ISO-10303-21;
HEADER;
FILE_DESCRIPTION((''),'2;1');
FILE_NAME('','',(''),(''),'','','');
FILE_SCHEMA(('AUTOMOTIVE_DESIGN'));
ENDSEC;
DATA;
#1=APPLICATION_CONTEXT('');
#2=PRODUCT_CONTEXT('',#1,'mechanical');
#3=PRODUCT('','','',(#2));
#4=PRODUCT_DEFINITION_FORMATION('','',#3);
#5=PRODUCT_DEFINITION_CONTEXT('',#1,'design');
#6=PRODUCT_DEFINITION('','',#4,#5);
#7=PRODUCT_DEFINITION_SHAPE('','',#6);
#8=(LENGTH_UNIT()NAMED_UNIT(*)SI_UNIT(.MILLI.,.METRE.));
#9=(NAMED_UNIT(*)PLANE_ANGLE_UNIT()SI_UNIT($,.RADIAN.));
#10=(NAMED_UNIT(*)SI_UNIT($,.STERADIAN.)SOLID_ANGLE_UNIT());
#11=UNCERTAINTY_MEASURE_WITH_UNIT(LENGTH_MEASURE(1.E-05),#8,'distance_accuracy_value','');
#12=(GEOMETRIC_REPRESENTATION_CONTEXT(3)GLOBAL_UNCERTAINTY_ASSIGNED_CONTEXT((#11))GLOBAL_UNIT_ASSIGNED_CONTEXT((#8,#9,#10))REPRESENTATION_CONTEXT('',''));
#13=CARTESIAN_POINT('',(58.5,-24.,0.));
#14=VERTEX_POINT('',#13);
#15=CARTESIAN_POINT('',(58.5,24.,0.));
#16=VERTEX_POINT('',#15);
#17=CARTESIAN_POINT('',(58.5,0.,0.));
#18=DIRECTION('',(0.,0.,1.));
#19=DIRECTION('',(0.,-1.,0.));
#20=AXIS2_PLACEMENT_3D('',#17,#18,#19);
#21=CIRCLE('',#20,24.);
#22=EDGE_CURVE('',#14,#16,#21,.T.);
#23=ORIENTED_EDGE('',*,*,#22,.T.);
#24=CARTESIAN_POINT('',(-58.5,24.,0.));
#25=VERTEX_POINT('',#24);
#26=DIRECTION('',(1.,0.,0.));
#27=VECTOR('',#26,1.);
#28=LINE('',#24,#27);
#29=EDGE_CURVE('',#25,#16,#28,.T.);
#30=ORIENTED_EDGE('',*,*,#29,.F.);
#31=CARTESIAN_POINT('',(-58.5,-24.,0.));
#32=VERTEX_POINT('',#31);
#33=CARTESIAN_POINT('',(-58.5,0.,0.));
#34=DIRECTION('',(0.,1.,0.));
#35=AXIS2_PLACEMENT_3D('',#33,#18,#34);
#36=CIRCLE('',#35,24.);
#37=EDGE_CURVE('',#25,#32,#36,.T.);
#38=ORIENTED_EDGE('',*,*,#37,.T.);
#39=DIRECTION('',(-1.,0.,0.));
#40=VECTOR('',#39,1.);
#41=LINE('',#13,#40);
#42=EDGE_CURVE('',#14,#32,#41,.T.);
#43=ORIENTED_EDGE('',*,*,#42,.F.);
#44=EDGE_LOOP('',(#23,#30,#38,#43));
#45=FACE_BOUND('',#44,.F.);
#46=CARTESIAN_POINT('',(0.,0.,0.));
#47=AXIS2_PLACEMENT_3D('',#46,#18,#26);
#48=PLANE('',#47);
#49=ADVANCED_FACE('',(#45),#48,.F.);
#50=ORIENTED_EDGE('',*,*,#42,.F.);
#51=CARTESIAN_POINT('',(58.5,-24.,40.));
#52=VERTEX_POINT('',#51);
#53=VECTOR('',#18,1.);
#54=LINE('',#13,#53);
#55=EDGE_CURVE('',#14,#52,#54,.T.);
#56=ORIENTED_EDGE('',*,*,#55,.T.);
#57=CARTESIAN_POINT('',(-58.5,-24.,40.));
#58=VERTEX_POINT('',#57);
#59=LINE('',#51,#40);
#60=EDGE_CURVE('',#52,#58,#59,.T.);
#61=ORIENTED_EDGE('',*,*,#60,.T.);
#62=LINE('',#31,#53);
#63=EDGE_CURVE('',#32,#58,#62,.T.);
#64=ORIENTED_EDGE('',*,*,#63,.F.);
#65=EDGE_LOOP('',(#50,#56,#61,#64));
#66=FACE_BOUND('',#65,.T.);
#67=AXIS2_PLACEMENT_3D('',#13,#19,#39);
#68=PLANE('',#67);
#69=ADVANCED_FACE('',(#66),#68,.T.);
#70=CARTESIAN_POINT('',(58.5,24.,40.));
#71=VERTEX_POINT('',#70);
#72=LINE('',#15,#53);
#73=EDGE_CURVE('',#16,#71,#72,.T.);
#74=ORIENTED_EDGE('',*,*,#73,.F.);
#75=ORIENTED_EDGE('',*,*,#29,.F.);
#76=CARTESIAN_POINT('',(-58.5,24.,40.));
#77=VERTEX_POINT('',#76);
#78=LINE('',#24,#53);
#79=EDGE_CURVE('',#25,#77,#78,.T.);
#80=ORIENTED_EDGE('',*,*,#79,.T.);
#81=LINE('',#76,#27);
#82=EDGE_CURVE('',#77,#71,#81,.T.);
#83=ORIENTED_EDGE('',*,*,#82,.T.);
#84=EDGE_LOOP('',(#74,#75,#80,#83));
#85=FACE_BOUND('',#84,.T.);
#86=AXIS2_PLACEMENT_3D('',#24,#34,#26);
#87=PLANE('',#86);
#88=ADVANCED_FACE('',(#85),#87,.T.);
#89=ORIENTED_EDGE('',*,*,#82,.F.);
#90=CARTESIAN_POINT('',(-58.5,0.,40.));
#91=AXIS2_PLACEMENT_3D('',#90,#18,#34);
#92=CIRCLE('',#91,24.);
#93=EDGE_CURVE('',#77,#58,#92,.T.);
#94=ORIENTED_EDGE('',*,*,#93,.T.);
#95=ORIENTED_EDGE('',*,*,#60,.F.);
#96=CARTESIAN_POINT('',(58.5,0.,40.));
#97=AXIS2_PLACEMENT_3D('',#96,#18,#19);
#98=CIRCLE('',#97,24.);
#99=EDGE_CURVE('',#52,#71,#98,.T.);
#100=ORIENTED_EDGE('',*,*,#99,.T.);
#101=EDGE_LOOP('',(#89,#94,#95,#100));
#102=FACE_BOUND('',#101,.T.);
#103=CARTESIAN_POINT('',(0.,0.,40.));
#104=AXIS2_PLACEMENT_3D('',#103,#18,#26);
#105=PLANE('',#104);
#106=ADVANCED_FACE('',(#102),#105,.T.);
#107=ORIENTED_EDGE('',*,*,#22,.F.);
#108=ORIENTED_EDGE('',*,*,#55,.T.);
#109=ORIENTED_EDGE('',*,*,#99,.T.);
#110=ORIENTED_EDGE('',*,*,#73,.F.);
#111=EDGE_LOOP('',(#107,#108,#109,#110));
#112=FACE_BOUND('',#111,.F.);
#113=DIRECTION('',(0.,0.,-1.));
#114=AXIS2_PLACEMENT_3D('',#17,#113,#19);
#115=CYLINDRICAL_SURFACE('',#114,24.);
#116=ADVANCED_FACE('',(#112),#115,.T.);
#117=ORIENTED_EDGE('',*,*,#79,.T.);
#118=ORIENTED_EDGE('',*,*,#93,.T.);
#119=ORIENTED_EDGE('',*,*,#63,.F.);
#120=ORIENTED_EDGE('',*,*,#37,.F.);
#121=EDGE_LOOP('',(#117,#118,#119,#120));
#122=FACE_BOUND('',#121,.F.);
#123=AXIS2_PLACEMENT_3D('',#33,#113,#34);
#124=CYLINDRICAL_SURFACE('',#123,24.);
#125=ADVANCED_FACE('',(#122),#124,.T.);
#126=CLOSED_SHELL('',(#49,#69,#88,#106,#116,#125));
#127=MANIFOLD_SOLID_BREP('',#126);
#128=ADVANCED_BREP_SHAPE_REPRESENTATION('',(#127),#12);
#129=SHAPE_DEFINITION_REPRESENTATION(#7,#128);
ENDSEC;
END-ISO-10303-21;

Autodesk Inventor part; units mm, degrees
ref_plane "YZ Plane" through (0, 0, 0) normal (1, 0, 0) x (0, 1, 0)
ref_plane "XZ Plane" through (0, 0, 0) normal (0, 1, 0) x (-1, 0, 0)
ref_plane "XY Plane" through (0, 0, 0) normal (0, 0, 1) x (1, 0, 0)
sketch "Sketch1" plane through (0, 0, 0) normal (0, 0, 1) x (1, 0, 0)
  line L0 (-58.5, 0) -> (58.5, 0) construction
  line L1 (-58.5, 24) -> (58.5, 24)
  line L2 (58.5, -24) -> (-58.5, -24)
  arc A0 (-58.5, 24) -> (-58.5, -24) centre (-58.5, 0) ccw
  arc A1 (58.5, -24) -> (58.5, 24) centre (58.5, 0) ccw
  point P0 (0, 0)
  dimension "d0" = 117
  dimension "d1" = 24
extrude "Extrusion1" add sketch "Sketch1" along normal blind 40
properties part number "astra_camera"
